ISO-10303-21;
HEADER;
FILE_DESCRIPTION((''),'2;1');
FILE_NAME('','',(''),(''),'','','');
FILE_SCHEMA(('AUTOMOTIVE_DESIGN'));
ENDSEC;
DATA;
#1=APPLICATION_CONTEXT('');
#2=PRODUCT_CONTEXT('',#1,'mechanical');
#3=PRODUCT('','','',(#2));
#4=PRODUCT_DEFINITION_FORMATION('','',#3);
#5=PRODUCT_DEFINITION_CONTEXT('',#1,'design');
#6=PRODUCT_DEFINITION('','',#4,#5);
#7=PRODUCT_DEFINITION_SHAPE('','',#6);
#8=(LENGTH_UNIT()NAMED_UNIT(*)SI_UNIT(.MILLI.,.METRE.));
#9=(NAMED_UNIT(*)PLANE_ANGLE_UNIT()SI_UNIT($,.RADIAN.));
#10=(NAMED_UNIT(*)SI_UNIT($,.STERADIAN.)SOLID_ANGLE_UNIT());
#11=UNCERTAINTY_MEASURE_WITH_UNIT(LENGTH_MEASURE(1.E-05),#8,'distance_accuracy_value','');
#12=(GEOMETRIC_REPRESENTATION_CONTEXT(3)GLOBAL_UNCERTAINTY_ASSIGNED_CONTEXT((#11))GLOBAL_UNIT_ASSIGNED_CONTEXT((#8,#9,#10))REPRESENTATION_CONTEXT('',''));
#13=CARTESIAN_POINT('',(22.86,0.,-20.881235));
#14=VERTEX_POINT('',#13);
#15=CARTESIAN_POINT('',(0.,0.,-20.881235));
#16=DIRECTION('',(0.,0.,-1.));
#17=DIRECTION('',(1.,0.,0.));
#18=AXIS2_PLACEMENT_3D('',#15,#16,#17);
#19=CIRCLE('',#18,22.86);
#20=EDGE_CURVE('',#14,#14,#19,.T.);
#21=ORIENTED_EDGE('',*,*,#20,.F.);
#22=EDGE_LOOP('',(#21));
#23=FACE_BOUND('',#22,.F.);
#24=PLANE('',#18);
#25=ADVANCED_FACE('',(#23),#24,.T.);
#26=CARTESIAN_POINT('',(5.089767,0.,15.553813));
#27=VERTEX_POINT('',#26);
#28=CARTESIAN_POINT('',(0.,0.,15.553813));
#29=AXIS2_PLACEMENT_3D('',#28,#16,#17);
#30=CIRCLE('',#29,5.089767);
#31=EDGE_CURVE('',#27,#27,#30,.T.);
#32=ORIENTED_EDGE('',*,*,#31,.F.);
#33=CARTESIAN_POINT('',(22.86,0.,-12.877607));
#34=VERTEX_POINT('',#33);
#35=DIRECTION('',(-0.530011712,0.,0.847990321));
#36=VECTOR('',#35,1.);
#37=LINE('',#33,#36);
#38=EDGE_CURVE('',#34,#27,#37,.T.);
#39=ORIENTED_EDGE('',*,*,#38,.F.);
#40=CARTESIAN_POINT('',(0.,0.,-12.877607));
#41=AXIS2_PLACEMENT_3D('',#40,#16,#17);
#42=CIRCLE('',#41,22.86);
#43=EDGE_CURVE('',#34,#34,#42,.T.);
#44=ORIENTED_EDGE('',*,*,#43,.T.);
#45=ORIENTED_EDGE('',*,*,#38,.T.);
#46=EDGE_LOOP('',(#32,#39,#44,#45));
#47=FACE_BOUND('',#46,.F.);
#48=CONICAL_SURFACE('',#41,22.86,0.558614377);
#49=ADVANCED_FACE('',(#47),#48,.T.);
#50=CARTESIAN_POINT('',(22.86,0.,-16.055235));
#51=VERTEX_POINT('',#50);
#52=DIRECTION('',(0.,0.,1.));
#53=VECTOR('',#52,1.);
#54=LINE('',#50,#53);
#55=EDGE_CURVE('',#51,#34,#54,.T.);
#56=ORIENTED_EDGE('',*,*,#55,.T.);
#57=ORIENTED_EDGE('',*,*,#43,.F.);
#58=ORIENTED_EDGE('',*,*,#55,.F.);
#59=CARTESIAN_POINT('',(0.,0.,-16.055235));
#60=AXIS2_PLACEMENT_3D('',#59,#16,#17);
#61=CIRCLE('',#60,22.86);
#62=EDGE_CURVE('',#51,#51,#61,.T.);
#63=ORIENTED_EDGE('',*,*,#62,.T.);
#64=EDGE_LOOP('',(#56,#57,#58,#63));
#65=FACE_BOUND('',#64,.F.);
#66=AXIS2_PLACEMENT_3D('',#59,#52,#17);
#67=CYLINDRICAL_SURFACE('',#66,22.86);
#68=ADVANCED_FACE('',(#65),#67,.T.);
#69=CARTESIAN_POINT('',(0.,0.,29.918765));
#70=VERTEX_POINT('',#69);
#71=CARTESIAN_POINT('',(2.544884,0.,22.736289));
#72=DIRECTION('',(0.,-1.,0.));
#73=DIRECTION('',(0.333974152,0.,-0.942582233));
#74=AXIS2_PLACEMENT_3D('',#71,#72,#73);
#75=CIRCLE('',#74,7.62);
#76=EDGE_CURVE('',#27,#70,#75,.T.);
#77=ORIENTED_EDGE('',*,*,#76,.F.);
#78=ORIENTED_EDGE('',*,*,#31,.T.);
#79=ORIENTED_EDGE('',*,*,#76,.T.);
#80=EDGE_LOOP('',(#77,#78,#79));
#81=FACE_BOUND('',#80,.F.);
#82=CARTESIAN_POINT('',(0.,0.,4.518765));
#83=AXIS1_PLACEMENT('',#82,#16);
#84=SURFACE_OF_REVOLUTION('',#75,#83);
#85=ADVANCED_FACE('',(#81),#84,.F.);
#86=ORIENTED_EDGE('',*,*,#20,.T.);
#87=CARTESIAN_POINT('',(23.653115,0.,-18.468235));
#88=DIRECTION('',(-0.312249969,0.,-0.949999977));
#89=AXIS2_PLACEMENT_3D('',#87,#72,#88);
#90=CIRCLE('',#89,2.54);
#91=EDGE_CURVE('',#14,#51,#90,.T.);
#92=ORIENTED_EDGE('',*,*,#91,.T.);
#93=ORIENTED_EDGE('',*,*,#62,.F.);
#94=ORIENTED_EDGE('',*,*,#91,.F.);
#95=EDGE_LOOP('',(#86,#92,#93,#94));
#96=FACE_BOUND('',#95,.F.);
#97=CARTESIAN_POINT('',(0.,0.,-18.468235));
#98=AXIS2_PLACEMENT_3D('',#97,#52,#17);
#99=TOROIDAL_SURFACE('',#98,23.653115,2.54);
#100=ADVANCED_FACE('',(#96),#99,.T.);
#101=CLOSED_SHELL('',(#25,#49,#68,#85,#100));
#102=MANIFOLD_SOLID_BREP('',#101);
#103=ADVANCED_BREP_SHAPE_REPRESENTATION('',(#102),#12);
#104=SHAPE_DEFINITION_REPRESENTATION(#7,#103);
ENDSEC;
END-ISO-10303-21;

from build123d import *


with BuildPart() as f1:
    # F0 (on Front) → F1 (revolve)
    with BuildSketch(Plane.XZ):
        with BuildLine():
            ThreePointArc((5.089767, 15.553813), (9.72736, 25.281173), (0, 29.918765))
            Line((0, 29.918765), (0, -16.055235))
            Line((0, -16.055235), (0, -20.881235))
            Line((0, -20.881235), (22.86, -20.881235))
            ThreePointArc((22.86, -20.881235), (26.193115, -18.468235), (22.86, -16.055235))
            Line((22.86, -16.055235), (22.86, -12.877607))
            Line((22.86, -12.877607), (5.089767, 15.553813))
        make_face()
    revolve(axis=Axis((0, 0, 4.518765), (0, 0, -1)))


solid = f1.part
